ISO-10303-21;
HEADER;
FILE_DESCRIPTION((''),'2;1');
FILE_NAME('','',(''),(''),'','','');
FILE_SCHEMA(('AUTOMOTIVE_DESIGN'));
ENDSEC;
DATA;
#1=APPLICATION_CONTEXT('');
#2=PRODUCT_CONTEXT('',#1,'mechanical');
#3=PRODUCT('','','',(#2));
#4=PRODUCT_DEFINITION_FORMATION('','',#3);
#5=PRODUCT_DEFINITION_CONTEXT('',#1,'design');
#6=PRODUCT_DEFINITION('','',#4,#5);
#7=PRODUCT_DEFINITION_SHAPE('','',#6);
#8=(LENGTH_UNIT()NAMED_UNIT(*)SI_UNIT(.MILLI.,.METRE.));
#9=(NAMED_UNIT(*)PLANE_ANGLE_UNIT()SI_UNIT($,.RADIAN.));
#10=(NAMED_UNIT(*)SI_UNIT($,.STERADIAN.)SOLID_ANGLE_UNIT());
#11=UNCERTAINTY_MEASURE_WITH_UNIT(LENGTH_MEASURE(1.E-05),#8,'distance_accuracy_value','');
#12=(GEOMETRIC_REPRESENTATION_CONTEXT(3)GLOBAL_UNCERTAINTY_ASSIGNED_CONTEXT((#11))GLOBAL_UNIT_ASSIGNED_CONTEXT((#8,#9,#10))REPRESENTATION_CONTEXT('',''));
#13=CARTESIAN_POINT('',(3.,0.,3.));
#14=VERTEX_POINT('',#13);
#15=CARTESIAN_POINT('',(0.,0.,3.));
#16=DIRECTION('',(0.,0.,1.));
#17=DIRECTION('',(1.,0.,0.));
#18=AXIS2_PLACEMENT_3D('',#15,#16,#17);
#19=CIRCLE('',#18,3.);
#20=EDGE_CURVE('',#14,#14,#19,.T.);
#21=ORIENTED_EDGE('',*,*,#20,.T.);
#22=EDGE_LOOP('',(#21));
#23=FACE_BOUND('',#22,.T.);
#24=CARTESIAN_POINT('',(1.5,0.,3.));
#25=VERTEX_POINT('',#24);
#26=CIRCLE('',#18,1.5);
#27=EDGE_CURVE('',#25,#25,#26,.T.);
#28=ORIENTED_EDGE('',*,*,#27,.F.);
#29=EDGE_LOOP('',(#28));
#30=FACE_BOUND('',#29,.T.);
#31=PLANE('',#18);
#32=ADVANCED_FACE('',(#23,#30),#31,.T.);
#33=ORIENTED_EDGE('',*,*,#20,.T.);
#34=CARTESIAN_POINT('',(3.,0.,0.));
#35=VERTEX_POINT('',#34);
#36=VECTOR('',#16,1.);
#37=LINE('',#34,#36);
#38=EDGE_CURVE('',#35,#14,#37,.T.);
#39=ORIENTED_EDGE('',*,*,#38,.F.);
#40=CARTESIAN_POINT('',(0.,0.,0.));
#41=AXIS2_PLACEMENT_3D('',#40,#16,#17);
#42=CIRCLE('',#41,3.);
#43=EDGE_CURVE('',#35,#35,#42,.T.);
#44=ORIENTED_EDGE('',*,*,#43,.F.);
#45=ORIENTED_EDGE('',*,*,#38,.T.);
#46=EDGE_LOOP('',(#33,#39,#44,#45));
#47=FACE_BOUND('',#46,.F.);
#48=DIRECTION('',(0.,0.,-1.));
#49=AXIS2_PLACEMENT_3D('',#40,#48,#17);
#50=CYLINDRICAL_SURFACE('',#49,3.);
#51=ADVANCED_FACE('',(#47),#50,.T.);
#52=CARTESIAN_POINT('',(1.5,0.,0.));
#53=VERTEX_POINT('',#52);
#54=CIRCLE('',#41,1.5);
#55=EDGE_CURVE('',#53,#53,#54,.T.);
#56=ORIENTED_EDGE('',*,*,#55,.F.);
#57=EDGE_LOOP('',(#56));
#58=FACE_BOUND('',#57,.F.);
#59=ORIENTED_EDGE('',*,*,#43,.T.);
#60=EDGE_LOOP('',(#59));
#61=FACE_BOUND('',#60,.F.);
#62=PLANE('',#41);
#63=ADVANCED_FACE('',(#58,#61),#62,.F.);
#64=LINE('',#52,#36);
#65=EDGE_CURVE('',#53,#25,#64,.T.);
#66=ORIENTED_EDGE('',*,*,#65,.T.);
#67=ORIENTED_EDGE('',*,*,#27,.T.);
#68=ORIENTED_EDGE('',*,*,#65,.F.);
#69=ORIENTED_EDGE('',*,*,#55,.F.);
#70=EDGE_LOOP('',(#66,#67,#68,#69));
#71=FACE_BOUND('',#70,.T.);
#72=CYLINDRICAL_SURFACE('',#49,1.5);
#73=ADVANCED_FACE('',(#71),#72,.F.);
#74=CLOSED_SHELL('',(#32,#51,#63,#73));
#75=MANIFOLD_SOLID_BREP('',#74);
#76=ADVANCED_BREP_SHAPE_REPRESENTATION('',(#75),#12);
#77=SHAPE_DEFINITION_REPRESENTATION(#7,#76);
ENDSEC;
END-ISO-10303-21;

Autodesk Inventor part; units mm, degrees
ref_plane "YZ Plane" through (0, 0, 0) normal (1, 0, 0) x (0, 1, 0)
ref_plane "XZ Plane" through (0, 0, 0) normal (0, 1, 0) x (-1, 0, 0)
ref_plane "XY Plane" through (0, 0, 0) normal (0, 0, 1) x (1, 0, 0)
sketch "スケッチ1" plane through (0, 0, 0) normal (0, 0, 1) x (1, 0, 0)
  circle A0 centre (0, 0) radius 3
  circle A1 centre (0, 0) radius 1.5
  dimension "d0" = 6
  dimension "d1" = 3
extrude "押し出し1" add sketch "スケッチ1" along normal blind 3
properties part number "ABSスペーサーm3-3　簡易筒型" material "ABS プラスチック"
